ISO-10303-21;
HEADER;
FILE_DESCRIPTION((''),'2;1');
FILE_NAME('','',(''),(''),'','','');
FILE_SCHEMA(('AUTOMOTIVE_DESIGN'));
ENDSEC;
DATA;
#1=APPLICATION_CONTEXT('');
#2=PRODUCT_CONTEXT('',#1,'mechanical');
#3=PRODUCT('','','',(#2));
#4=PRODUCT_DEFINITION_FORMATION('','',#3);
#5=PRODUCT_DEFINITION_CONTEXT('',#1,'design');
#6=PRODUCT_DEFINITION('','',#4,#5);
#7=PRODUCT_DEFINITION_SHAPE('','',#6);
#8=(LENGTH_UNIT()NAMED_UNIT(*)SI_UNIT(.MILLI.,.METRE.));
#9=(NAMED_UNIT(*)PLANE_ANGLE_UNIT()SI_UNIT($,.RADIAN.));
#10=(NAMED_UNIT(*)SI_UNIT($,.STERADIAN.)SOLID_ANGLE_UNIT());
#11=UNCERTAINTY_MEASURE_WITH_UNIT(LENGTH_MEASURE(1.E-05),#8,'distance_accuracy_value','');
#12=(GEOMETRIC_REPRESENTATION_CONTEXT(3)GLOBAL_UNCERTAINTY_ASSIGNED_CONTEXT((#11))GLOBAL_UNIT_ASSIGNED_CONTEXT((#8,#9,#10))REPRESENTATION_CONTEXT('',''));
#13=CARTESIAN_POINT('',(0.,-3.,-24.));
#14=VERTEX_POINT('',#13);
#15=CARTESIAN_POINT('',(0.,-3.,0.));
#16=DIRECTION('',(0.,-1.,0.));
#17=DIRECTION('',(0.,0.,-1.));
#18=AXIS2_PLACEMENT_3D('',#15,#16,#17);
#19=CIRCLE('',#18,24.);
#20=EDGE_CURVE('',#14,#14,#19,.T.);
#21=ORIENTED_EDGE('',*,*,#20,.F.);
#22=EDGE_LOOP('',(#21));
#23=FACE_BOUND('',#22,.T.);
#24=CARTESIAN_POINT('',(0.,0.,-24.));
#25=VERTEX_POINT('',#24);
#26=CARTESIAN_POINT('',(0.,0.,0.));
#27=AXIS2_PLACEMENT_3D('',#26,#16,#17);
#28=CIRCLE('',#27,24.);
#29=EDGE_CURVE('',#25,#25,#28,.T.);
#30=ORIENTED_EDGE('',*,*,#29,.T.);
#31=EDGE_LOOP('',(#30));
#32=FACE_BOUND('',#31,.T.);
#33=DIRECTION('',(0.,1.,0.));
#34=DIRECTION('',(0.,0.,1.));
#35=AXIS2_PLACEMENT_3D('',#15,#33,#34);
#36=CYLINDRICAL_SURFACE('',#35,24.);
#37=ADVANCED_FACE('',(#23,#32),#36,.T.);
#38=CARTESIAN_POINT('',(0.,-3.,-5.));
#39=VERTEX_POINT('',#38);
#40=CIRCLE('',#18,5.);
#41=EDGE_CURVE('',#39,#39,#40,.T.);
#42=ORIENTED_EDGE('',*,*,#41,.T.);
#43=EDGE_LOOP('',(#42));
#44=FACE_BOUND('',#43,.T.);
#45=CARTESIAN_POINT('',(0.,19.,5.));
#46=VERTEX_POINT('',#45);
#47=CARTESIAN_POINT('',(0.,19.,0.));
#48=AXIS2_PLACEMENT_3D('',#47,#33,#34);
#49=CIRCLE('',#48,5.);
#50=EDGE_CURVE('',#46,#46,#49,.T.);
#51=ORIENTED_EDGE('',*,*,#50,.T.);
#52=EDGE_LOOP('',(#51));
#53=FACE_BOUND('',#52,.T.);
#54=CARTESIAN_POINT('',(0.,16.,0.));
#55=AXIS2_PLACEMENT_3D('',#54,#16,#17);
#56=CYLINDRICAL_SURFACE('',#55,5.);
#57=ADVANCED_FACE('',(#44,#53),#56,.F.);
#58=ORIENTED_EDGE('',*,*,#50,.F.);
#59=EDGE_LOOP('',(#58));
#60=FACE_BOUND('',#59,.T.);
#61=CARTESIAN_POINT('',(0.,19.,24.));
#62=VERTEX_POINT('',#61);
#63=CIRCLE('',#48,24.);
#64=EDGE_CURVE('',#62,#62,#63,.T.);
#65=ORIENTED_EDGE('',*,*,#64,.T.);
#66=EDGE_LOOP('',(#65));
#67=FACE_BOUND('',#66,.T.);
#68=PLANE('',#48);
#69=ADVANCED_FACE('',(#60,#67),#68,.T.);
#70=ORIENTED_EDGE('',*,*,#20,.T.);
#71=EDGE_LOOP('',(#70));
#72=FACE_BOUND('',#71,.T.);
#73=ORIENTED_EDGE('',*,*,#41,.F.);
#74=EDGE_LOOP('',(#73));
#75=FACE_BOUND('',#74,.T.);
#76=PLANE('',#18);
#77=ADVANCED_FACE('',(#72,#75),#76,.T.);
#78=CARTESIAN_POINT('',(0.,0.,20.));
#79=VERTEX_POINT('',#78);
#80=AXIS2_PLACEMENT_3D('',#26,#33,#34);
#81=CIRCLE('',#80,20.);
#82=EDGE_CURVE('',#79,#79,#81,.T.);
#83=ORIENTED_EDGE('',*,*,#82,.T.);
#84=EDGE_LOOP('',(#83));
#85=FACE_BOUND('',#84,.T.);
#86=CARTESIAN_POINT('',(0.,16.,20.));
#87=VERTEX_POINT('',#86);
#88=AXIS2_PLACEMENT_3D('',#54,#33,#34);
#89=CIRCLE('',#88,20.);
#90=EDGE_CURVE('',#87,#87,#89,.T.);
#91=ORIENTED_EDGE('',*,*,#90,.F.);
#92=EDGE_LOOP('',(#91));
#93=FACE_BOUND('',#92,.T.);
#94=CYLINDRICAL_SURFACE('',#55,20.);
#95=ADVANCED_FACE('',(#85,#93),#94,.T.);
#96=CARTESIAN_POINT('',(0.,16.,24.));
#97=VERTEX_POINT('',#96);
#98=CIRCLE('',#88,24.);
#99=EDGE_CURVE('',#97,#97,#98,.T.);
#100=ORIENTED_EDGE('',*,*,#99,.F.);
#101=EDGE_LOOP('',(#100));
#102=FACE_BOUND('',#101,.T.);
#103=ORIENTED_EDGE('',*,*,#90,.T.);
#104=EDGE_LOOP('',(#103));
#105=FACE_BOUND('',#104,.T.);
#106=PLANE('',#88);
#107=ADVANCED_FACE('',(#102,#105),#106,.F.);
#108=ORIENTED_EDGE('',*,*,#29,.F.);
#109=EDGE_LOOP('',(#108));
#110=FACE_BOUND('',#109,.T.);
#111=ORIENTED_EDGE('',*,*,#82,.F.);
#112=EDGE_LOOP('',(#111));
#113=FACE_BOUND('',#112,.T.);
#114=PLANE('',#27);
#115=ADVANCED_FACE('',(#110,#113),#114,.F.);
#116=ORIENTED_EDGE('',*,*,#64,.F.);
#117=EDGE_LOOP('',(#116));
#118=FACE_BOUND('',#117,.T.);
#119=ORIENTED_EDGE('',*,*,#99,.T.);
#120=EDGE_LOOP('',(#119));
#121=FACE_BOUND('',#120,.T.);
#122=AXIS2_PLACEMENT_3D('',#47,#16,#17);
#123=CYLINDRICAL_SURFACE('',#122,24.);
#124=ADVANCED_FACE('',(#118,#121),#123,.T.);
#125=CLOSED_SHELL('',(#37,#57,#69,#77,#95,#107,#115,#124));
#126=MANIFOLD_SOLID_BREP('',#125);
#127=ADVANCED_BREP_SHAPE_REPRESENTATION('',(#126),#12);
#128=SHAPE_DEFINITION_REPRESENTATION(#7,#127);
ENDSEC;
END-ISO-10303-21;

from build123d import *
from build123d.topology import SkipClean

# Parameters (mm, degrees)
SKETCH_1_R      = 20
SKETCH_1_R_2    = 5
EXTRUDE_1_DEPTH = 16
EXTRUDE_START   = 3
SKETCH_2_R      = 24
SKETCH_2_R_2    = 5
EXTRUDE_2_DEPTH = 3
EXTRUDE_START_2 = -16
SKETCH_2_2_R    = 24
SKETCH_2_2_R_2  = 5
EXTRUDE_3_DEPTH = 3


with BuildPart() as part:
    # 草图1 → 凸台-拉伸1 (new body)
    with BuildSketch(Plane(origin=(0, 0, 0), x_dir=(1, 0, 0), z_dir=(0, 1, 0))):
        with Locations(Location((0, 0, 0), (0, 0, 270))):
            Circle(SKETCH_1_R)
        with Locations(Location((0, 0, 0), (0, 0, 270))):
            Circle(SKETCH_1_R_2, mode=Mode.SUBTRACT)
    extrude(amount=EXTRUDE_1_DEPTH)

    # 草图2 → 凸台-拉伸2 (add)
    with SkipClean():  # the faces are left unmerged after this step: merging them gives an invalid solid
        with BuildSketch(Plane.XZ.offset(EXTRUDE_START)):
            with Locations(Location((0, 0, 0), (0, 0, 270))):
                Circle(SKETCH_2_R)
            with Locations(Location((0, 0, 0), (0, 0, 270))):
                Circle(SKETCH_2_R_2, mode=Mode.SUBTRACT)
        extrude(amount=-EXTRUDE_2_DEPTH)

    # 草图2<2> → 凸台-拉伸3 (add)
    with BuildSketch(Plane.XZ.offset(EXTRUDE_START_2)):
        with Locations(Location((0, 0, 0), (0, 0, 270))):
            Circle(SKETCH_2_2_R)
        with Locations(Location((0, 0, 0), (0, 0, 270))):
            Circle(SKETCH_2_2_R_2, mode=Mode.SUBTRACT)
    extrude(amount=-EXTRUDE_3_DEPTH)


solid = part.part
